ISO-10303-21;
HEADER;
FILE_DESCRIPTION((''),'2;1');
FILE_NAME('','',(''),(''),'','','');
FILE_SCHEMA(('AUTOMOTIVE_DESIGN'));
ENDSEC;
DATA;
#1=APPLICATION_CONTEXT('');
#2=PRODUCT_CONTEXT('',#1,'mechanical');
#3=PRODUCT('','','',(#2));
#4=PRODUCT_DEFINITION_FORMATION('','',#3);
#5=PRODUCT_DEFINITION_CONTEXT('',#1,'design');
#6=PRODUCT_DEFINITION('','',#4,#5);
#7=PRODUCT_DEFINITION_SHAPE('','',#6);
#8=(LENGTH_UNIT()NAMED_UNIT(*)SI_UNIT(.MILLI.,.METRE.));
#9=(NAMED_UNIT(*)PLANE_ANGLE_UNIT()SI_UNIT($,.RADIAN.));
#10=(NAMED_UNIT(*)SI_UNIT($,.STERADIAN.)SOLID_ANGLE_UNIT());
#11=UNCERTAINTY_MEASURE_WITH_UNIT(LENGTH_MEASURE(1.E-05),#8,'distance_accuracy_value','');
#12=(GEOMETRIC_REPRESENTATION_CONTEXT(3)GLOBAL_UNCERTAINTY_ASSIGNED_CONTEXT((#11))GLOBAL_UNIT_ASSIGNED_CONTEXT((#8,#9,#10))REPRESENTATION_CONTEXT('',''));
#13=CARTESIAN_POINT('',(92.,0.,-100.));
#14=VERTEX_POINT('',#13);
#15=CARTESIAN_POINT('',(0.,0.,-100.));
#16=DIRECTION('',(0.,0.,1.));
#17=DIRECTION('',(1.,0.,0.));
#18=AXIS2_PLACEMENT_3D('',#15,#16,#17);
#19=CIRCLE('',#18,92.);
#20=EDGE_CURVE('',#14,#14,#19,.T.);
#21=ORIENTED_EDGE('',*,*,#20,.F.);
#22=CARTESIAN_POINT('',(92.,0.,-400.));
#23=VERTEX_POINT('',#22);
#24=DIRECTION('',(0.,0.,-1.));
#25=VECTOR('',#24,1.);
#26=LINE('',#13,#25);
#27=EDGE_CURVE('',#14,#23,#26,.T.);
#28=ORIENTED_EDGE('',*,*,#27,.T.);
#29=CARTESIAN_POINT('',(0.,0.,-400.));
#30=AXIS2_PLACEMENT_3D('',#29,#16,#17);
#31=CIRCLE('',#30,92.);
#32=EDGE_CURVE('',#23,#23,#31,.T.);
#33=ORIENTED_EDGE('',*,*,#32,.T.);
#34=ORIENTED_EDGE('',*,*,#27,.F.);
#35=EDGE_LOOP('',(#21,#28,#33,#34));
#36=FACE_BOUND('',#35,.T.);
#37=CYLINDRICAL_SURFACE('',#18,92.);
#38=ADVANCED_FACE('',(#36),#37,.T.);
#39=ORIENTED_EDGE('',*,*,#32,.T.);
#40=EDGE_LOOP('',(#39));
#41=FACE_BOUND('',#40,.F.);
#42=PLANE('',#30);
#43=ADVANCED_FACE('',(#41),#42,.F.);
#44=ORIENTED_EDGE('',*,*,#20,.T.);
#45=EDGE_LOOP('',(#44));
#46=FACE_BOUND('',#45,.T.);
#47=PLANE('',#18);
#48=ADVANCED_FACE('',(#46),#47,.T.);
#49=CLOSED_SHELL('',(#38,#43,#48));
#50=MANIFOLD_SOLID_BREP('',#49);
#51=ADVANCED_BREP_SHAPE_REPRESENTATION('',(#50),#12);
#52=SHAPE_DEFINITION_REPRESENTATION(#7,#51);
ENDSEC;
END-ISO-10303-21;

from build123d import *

# Parameters (mm, degrees)
F1_R     = 92
F2_DEPTH = 300


with BuildPart() as f2:
    # F1 (on offset) → F2 (new body)
    with BuildSketch(Plane.XY.offset(-100)):
        Circle(F1_R)
    extrude(amount=-F2_DEPTH)


solid = f2.part
